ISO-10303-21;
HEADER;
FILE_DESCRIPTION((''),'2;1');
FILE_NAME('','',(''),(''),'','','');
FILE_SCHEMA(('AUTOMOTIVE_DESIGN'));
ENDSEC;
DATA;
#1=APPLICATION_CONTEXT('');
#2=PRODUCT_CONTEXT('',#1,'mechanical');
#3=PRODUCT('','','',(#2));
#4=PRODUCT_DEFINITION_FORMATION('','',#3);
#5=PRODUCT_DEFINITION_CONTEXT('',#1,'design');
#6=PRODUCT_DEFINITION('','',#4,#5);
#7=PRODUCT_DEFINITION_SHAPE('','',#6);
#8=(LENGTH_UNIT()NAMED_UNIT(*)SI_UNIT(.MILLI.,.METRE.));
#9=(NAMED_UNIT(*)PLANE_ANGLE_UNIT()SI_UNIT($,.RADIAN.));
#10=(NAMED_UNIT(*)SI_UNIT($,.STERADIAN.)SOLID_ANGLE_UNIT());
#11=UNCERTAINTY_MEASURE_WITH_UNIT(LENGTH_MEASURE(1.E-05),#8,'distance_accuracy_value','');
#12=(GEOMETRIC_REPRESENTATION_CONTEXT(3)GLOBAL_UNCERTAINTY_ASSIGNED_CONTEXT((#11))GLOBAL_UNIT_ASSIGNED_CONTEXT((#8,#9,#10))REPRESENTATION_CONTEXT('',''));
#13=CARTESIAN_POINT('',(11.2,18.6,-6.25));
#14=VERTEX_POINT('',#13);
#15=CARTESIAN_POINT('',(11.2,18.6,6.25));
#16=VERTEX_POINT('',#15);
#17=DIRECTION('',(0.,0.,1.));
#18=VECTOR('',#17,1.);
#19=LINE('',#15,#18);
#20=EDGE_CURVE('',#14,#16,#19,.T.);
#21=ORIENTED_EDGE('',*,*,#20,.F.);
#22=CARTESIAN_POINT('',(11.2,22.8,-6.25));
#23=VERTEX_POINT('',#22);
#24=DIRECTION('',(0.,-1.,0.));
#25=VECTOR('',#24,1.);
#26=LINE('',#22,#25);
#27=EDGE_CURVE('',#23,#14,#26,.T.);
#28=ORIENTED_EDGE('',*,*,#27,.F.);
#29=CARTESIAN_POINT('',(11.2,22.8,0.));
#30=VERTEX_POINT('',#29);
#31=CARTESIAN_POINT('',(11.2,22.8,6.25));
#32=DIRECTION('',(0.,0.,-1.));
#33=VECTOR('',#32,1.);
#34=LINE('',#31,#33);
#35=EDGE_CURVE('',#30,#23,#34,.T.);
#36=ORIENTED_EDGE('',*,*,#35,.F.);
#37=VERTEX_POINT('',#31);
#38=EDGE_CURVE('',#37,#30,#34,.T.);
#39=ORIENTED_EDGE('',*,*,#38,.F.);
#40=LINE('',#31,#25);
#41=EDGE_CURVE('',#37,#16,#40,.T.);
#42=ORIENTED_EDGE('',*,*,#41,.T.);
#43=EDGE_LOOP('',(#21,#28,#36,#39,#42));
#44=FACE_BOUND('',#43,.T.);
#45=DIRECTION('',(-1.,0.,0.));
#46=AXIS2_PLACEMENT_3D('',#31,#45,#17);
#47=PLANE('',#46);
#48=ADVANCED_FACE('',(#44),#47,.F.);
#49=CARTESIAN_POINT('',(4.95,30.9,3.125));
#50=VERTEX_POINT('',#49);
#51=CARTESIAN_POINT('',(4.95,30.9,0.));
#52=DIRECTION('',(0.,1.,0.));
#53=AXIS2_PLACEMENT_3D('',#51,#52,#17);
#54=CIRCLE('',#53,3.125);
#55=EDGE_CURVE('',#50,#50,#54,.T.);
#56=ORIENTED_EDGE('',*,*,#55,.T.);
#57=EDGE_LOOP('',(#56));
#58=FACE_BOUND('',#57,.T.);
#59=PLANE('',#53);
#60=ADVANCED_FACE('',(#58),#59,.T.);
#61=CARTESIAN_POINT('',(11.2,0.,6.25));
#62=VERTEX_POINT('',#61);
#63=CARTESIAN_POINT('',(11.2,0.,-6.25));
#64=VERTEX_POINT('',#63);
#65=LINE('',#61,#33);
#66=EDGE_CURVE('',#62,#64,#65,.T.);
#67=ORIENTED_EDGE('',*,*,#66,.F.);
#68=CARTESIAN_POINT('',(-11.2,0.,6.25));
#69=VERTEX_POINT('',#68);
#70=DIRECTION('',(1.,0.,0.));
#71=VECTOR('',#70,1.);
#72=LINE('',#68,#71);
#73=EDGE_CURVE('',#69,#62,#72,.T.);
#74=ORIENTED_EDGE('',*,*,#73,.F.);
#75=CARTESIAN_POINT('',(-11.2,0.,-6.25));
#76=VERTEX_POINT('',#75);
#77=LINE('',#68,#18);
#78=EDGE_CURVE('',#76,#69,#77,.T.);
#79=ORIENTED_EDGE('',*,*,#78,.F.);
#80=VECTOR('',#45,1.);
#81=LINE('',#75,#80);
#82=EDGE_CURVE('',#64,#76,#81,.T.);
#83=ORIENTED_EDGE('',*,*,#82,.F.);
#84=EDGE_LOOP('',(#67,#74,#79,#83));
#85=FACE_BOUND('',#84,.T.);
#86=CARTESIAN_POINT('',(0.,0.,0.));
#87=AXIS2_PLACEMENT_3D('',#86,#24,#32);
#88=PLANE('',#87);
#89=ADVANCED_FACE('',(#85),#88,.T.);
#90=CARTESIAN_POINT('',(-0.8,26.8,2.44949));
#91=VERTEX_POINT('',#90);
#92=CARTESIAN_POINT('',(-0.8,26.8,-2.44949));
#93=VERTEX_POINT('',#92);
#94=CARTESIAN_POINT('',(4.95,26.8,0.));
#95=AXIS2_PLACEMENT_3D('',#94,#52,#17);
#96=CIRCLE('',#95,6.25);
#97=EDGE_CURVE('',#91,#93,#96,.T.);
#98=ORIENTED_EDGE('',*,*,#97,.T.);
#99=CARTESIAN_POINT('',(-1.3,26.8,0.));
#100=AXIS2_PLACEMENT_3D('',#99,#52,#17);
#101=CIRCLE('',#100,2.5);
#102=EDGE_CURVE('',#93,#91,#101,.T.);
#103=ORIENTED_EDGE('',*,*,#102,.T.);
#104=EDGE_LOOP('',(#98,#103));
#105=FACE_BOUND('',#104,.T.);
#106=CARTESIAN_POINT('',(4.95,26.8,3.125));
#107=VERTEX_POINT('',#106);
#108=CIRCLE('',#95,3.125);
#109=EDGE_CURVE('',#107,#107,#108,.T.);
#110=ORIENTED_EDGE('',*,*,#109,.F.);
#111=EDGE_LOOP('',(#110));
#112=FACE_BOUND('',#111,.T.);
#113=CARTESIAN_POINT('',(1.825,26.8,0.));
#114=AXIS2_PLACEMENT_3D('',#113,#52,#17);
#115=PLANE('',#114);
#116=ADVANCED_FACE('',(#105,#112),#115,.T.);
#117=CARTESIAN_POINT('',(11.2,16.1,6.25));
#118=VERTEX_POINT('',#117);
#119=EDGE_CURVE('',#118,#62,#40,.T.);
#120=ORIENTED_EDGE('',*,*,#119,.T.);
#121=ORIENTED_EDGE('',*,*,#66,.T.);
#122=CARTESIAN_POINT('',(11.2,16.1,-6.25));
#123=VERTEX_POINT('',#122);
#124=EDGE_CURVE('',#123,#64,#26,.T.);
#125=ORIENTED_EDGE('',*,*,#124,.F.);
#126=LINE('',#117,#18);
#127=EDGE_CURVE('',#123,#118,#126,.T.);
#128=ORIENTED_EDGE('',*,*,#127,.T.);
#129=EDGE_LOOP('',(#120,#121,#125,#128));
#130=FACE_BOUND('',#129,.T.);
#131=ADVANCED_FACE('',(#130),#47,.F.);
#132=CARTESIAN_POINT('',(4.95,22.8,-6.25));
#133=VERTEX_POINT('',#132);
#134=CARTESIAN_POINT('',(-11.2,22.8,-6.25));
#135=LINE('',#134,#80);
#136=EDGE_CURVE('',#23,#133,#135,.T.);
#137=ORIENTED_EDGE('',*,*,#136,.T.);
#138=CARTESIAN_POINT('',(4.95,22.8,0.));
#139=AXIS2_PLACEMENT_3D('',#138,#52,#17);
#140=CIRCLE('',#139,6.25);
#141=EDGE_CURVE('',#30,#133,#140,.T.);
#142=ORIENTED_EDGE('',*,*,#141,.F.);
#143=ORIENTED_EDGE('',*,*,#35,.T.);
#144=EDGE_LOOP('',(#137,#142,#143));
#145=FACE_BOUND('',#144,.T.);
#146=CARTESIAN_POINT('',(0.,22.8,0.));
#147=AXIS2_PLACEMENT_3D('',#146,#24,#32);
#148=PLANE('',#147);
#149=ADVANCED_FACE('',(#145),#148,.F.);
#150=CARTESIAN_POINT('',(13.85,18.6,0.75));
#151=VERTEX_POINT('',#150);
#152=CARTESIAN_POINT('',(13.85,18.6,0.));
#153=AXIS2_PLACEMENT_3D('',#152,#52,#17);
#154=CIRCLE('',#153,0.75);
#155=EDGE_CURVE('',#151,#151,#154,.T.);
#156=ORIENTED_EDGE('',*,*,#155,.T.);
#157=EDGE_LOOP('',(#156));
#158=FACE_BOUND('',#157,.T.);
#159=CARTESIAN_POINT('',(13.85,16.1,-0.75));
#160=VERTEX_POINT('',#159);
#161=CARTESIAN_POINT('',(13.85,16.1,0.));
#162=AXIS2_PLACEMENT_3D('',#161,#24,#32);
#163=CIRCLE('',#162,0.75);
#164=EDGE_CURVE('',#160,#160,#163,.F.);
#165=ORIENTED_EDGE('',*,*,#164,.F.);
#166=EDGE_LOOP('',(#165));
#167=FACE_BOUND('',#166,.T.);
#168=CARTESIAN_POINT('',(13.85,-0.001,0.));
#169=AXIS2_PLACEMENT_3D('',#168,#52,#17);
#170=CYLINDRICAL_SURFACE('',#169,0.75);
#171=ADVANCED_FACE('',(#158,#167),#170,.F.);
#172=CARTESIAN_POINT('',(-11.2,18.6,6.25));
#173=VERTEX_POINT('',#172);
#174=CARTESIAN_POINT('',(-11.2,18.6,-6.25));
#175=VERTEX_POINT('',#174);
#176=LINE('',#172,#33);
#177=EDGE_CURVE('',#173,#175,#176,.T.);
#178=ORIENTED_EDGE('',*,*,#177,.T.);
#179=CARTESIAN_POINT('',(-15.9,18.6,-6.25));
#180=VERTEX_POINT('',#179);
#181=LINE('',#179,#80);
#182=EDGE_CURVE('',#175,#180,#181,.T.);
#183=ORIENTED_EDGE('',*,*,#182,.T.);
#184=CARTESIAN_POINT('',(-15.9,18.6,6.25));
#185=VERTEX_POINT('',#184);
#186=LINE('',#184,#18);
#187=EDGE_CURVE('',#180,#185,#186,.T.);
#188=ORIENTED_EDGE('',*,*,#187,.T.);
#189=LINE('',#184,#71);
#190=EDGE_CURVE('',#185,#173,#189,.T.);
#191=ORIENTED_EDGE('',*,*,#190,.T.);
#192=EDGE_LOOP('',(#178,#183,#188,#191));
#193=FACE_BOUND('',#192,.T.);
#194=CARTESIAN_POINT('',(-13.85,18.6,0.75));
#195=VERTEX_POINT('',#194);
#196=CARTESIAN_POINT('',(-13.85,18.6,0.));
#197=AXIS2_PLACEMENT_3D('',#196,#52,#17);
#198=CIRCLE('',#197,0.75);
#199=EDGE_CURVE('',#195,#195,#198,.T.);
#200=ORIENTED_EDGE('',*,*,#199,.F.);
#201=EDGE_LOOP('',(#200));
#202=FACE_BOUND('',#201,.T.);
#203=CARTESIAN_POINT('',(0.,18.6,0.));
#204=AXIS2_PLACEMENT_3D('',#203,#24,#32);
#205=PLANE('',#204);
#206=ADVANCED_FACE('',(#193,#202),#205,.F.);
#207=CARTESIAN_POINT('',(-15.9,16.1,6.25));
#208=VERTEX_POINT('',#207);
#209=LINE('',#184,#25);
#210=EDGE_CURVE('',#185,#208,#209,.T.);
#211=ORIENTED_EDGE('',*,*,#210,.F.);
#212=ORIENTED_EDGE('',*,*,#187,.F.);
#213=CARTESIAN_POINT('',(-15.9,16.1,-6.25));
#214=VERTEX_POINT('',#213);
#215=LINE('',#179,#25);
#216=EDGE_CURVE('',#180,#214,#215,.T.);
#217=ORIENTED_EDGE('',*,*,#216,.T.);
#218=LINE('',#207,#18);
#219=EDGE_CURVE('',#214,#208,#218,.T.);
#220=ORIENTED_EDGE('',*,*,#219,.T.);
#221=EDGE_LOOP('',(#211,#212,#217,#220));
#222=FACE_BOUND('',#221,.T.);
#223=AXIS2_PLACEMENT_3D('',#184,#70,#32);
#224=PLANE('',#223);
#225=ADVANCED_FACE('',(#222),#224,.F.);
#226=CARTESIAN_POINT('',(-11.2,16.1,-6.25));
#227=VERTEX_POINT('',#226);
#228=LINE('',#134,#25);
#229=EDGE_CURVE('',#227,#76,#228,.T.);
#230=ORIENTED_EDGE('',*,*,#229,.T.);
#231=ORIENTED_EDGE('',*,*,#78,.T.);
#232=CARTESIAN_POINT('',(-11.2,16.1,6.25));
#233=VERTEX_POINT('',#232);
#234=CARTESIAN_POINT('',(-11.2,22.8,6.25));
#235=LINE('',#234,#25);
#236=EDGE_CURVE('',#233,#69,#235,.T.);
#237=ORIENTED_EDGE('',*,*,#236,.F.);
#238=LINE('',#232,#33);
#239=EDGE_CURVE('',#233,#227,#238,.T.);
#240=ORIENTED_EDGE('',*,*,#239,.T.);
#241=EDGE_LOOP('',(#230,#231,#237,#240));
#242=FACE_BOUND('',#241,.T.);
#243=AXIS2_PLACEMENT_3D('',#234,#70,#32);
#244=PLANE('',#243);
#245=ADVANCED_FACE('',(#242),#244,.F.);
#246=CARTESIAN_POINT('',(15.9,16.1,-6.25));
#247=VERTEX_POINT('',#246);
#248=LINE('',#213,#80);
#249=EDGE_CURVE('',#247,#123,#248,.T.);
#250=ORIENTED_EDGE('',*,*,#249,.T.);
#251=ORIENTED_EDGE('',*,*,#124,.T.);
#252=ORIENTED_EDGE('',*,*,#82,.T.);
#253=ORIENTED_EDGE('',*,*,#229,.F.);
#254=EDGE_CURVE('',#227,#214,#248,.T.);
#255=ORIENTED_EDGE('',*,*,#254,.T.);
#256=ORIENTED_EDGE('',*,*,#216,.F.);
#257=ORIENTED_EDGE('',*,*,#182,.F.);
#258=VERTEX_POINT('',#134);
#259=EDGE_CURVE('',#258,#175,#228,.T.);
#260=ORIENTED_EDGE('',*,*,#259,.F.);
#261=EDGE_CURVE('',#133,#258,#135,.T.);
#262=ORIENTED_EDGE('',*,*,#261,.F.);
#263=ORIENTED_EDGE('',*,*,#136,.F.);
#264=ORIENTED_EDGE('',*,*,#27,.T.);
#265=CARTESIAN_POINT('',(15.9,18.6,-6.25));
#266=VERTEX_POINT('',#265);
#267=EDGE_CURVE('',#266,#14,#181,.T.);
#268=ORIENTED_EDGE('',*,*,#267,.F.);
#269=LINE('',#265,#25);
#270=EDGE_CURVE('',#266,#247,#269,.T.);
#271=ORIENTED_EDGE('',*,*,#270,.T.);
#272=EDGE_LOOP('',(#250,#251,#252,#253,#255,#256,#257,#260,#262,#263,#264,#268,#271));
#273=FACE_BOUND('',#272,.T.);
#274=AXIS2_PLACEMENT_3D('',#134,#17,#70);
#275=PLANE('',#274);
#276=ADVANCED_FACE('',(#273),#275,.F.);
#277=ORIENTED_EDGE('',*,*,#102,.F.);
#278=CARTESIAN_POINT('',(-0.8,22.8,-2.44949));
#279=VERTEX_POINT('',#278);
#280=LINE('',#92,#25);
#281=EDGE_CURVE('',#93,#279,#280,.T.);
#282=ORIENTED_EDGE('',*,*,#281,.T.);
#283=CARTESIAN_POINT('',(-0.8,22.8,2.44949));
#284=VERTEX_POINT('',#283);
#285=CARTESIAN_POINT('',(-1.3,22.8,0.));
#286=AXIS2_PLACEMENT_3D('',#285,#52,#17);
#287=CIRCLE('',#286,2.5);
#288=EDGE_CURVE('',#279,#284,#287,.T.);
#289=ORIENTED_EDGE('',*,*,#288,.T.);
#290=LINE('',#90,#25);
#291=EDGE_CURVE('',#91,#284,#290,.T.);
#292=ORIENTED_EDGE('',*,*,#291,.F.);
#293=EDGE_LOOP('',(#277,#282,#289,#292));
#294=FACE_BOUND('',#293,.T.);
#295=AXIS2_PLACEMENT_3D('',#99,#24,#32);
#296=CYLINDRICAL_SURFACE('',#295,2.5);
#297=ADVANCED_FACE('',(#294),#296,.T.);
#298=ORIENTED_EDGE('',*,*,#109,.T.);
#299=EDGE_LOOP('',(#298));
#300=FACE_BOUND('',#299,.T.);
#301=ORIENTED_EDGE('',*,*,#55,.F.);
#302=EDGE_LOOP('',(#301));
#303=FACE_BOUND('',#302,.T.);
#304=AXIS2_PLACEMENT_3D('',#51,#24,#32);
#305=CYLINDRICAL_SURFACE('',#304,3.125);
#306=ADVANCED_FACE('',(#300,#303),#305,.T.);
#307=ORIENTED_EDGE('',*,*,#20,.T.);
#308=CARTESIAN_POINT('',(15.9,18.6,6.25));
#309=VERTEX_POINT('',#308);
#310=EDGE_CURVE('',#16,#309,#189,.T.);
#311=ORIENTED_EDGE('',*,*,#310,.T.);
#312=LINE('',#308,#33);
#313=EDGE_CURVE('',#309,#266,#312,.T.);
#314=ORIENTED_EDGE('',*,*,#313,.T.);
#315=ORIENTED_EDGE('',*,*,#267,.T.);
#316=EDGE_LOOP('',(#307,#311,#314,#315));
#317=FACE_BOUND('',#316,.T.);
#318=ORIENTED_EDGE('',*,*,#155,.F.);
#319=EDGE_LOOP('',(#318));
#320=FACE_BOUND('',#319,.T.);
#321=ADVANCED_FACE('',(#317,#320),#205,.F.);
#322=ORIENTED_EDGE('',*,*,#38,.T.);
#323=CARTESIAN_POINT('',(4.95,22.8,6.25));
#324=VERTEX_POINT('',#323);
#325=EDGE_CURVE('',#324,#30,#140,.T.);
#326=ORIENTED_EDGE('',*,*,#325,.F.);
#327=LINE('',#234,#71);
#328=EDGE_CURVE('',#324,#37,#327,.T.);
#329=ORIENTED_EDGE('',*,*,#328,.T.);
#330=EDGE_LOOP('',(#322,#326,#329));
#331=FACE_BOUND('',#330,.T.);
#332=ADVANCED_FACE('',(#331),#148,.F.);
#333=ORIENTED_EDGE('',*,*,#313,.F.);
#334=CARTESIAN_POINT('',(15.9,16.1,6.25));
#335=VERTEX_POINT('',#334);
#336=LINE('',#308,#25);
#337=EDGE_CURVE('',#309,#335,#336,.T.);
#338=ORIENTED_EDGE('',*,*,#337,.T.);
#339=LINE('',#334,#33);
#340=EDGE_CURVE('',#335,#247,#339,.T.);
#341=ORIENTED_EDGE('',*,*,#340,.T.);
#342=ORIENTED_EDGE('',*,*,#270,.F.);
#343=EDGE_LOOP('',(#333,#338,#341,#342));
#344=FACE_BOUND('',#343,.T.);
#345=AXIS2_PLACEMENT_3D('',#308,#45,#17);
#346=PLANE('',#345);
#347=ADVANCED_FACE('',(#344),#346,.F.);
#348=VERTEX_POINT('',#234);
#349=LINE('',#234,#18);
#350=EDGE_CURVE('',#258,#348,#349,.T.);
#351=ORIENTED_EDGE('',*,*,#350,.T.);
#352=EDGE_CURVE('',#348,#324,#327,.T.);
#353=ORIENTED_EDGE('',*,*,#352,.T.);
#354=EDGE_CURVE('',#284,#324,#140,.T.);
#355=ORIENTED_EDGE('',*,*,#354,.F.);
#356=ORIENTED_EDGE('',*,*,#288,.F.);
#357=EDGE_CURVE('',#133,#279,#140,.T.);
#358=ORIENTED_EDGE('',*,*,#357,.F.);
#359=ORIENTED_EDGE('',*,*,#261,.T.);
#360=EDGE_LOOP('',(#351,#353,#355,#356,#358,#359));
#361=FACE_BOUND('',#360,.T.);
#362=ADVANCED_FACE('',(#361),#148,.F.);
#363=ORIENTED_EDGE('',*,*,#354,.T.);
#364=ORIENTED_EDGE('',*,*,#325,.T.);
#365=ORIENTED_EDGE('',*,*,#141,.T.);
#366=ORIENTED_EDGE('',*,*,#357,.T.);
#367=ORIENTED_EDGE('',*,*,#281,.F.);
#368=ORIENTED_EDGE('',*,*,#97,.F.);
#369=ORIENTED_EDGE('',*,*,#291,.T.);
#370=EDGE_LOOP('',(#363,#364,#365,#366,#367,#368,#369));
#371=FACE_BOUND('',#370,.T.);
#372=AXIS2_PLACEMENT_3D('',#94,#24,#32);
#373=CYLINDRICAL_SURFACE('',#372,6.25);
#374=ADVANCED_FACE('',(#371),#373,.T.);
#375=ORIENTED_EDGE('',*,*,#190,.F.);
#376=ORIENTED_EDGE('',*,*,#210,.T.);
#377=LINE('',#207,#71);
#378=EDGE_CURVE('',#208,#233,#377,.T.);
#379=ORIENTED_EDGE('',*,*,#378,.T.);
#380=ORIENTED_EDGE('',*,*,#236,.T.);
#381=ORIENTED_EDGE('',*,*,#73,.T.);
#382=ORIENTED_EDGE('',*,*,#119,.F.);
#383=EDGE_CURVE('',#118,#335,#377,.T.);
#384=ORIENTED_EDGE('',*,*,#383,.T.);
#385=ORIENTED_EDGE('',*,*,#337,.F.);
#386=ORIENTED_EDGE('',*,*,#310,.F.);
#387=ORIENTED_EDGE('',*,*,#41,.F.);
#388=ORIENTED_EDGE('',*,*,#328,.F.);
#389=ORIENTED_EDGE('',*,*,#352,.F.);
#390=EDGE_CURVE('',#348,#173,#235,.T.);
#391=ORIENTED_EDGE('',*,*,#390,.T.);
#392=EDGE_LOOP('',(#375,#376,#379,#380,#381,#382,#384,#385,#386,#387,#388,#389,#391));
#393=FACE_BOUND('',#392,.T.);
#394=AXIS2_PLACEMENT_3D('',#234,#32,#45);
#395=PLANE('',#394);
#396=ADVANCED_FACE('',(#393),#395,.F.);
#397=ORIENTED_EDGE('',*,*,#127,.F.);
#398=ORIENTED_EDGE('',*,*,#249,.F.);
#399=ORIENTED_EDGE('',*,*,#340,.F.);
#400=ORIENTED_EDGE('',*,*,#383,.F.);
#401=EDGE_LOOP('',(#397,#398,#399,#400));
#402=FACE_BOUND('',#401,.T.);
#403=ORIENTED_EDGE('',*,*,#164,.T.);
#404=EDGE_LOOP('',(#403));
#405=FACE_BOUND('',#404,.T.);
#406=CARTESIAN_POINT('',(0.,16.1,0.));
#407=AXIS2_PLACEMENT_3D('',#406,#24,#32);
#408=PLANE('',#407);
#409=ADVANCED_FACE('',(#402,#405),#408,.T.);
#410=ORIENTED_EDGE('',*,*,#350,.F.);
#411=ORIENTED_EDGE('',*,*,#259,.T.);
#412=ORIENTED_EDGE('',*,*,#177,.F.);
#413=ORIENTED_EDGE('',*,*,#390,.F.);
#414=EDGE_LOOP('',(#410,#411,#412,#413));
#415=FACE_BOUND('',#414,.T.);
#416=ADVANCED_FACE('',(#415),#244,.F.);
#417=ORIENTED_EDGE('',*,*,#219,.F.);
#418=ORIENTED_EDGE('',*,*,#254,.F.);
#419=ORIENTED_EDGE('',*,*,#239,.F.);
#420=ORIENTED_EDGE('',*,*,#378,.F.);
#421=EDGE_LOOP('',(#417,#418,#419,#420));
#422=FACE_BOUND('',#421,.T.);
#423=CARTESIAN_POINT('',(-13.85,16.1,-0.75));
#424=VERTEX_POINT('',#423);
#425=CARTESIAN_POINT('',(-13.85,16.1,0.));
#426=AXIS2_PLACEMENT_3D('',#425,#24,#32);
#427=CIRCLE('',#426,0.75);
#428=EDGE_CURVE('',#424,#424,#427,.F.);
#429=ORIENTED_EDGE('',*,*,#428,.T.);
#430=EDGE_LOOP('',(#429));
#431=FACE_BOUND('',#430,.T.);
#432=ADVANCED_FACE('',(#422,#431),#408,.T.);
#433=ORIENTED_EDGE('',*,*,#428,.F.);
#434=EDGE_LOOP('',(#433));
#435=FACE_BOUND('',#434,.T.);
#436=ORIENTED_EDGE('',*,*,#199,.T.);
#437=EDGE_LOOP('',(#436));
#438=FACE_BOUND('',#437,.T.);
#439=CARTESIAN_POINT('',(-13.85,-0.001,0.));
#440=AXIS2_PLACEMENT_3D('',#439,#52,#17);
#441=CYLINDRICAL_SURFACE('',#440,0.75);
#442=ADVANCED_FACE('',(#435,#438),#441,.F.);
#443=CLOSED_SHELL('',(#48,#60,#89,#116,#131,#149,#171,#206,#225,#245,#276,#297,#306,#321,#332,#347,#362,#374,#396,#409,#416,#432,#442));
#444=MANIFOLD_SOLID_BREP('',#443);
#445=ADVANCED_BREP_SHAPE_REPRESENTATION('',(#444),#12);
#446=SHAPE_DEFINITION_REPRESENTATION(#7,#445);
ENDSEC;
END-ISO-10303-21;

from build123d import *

# Parameters (mm, degrees)
SKETCH_1_W          = 22.4
SKETCH_1_H          = 12.5
EXTRUDE_1_DEPTH     = 22.8
EXTRUDE_START       = 16.1
SKETCH_2_W          = 31.8
SKETCH_2_H          = 12.5
EXTRUDE_2_DEPTH     = 2.5
CUT_EXTRUDE_1_REACH = 27.255
SKETCH_3_R          = 0.75
EXTRUDE_3_DEPTH     = 4
SKETCH_6_R          = 3.125
EXTRUDE_4_DEPTH     = 4.1


with BuildPart() as part:
    # 草图1 → 凸台-拉伸1 (new body)
    with BuildSketch(Plane(origin=(0, 0, 0), x_dir=(1, 0, 0), z_dir=(0, 1, 0))):
        Rectangle(SKETCH_1_W, SKETCH_1_H)
    extrude(amount=EXTRUDE_1_DEPTH)

    # 草图2 → 凸台-拉伸2 (add)
    with BuildSketch(Plane(origin=(0, 0, 0), x_dir=(1, 0, 0), z_dir=(0, 1, 0)).offset(EXTRUDE_START)):
        Rectangle(SKETCH_2_W, SKETCH_2_H)
    extrude(amount=EXTRUDE_2_DEPTH)

    # 草图3 → 切除-拉伸1 (cut, up to next)
    with BuildSketch(Plane(origin=(0, 18.6, 0), x_dir=(1, 0, 0), z_dir=(0, 1, 0)), mode=Mode.PRIVATE) as cut_extrude_1_sk1:
        with Locations(Location((-13.85, 0, 0), (0, 0, 270))):
            Circle(SKETCH_3_R)
    cut_extrude_1_tool1 = extrude(cut_extrude_1_sk1.sketch, amount=-CUT_EXTRUDE_1_REACH, mode=Mode.PRIVATE) & part.part
    # 草图3 → 切除-拉伸1 (cut, up to next)
    with BuildSketch(Plane(origin=(0, 18.6, 0), x_dir=(1, 0, 0), z_dir=(0, 1, 0)), mode=Mode.PRIVATE) as cut_extrude_1_sk2:
        with Locations(Location((13.85, 0, 0), (0, 0, 270))):
            Circle(SKETCH_3_R)
    cut_extrude_1_tool2 = extrude(cut_extrude_1_sk2.sketch, amount=-CUT_EXTRUDE_1_REACH, mode=Mode.PRIVATE) & part.part
    add(cut_extrude_1_tool1.solids().sort_by_distance((-13.85, 18.6, 0))[0], mode=Mode.SUBTRACT)
    add(cut_extrude_1_tool2.solids().sort_by_distance((13.85, 18.6, 0))[0], mode=Mode.SUBTRACT)

    # 草图4 → 凸台-拉伸3 (add)
    with BuildSketch(Plane(origin=(0, 22.8, 0), x_dir=(1, 0, 0), z_dir=(0, 1, 0))):
        with BuildLine():
            ThreePointArc((-0.8, -2.449489743), (11.2, 0), (-0.8, 2.449489743))
            ThreePointArc((-0.8, 2.449489743), (-3.8, 0), (-0.8, -2.449489743))
        make_face()
    extrude(amount=EXTRUDE_3_DEPTH)

    # 草图6 → 凸台-拉伸4 (add)
    with BuildSketch(Plane(origin=(0, 26.8, 0), x_dir=(1, 0, 0), z_dir=(0, 1, 0))):
        with Locations(Location((4.95, 0, 0), (0, 0, 270))):
            Circle(SKETCH_6_R)
    extrude(amount=EXTRUDE_4_DEPTH)


solid = part.part
